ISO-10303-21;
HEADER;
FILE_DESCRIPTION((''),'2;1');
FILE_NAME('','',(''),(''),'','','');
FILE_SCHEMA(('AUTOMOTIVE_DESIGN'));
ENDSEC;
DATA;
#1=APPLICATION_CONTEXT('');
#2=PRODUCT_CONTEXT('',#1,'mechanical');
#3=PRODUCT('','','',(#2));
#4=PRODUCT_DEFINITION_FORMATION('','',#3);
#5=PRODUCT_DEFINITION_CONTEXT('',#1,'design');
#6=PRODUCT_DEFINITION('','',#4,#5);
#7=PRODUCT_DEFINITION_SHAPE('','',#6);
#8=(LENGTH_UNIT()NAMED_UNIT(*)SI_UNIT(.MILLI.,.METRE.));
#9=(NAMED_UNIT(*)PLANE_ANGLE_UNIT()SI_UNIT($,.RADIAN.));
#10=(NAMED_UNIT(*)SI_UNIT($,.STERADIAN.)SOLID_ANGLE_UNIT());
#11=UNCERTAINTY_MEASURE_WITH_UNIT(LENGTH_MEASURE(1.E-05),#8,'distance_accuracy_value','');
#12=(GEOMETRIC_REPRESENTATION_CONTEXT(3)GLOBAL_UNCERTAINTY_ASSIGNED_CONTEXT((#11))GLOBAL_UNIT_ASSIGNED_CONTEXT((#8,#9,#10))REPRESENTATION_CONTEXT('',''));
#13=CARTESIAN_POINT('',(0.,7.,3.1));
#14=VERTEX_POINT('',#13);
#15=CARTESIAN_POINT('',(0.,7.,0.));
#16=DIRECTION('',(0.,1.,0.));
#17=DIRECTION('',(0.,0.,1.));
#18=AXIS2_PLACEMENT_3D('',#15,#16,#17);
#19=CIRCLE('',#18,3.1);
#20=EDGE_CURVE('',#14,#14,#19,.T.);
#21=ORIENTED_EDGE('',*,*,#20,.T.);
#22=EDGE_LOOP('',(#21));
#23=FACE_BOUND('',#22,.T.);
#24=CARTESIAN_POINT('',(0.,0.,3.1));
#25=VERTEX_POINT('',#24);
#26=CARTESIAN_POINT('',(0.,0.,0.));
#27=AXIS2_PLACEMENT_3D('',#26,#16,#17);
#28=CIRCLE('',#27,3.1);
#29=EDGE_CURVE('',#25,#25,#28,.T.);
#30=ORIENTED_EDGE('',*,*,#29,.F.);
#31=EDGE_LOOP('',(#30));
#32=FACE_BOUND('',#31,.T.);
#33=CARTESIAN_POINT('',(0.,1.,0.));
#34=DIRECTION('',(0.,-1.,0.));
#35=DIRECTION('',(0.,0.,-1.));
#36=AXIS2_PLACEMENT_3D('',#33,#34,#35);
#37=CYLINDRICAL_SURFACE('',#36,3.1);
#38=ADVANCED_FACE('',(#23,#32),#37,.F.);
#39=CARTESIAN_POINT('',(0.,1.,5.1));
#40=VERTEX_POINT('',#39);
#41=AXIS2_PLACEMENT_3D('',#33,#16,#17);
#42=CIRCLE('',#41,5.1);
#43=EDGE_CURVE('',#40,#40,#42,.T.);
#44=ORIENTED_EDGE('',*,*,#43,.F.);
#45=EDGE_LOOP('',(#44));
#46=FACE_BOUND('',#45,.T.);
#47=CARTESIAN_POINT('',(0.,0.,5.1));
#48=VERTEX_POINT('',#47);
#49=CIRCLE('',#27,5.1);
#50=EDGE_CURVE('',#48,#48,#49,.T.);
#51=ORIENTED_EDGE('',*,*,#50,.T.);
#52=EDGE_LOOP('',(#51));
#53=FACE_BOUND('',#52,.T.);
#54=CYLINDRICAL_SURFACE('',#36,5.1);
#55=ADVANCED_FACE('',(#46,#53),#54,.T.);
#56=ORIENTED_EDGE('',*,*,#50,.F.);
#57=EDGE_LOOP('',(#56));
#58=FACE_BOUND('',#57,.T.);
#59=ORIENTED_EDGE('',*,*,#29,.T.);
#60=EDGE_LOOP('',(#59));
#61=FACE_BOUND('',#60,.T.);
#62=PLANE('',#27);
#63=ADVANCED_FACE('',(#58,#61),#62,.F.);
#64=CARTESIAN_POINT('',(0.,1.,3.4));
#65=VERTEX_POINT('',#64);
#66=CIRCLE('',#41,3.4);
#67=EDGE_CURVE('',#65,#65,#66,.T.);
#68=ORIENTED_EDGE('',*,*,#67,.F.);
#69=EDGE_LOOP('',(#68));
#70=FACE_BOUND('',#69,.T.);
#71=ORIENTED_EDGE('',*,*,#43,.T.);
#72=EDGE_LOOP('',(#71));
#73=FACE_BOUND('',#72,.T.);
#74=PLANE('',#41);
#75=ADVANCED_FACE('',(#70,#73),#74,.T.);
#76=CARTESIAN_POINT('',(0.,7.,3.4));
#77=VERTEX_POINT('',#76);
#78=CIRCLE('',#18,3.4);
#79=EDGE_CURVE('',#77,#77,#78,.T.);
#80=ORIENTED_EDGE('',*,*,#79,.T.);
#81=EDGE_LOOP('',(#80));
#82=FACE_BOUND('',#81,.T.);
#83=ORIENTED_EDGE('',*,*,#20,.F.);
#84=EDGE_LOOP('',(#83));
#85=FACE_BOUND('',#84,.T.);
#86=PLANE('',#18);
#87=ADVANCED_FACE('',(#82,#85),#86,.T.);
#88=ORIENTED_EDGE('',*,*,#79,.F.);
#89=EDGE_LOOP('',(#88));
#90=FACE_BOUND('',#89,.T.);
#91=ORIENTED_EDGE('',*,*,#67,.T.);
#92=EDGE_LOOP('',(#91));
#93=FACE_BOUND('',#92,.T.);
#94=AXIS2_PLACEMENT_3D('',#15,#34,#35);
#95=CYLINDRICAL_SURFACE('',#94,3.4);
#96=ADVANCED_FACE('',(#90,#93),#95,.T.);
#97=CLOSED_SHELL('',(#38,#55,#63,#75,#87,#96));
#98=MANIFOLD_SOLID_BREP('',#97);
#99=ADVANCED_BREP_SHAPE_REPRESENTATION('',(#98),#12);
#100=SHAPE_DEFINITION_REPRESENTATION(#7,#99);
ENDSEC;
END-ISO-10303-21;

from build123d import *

# Parameters (mm, degrees)
ESQUISSE1_R        = 5.1
ESQUISSE1_R_2      = 3.1
BOSS_EXTRU_1_DEPTH = 1
ESQUISSE2_R        = 3.4
ESQUISSE2_R_2      = 3.1
BOSS_EXTRU_2_DEPTH = 6


with BuildPart() as part:
    # Esquisse1 → Boss.-Extru.1 (new body)
    with BuildSketch(Plane(origin=(0, 0, 0), x_dir=(1, 0, 0), z_dir=(0, 1, 0))):
        Circle(ESQUISSE1_R)
        Circle(ESQUISSE1_R_2, mode=Mode.SUBTRACT)
    extrude(amount=BOSS_EXTRU_1_DEPTH)

    # Esquisse2 → Boss.-Extru.2 (add)
    with BuildSketch(Plane(origin=(0, 1, 0), x_dir=(1, 0, 0), z_dir=(0, 1, 0))):
        Circle(ESQUISSE2_R)
        Circle(ESQUISSE2_R_2, mode=Mode.SUBTRACT)
    extrude(amount=BOSS_EXTRU_2_DEPTH)


solid = part.part
